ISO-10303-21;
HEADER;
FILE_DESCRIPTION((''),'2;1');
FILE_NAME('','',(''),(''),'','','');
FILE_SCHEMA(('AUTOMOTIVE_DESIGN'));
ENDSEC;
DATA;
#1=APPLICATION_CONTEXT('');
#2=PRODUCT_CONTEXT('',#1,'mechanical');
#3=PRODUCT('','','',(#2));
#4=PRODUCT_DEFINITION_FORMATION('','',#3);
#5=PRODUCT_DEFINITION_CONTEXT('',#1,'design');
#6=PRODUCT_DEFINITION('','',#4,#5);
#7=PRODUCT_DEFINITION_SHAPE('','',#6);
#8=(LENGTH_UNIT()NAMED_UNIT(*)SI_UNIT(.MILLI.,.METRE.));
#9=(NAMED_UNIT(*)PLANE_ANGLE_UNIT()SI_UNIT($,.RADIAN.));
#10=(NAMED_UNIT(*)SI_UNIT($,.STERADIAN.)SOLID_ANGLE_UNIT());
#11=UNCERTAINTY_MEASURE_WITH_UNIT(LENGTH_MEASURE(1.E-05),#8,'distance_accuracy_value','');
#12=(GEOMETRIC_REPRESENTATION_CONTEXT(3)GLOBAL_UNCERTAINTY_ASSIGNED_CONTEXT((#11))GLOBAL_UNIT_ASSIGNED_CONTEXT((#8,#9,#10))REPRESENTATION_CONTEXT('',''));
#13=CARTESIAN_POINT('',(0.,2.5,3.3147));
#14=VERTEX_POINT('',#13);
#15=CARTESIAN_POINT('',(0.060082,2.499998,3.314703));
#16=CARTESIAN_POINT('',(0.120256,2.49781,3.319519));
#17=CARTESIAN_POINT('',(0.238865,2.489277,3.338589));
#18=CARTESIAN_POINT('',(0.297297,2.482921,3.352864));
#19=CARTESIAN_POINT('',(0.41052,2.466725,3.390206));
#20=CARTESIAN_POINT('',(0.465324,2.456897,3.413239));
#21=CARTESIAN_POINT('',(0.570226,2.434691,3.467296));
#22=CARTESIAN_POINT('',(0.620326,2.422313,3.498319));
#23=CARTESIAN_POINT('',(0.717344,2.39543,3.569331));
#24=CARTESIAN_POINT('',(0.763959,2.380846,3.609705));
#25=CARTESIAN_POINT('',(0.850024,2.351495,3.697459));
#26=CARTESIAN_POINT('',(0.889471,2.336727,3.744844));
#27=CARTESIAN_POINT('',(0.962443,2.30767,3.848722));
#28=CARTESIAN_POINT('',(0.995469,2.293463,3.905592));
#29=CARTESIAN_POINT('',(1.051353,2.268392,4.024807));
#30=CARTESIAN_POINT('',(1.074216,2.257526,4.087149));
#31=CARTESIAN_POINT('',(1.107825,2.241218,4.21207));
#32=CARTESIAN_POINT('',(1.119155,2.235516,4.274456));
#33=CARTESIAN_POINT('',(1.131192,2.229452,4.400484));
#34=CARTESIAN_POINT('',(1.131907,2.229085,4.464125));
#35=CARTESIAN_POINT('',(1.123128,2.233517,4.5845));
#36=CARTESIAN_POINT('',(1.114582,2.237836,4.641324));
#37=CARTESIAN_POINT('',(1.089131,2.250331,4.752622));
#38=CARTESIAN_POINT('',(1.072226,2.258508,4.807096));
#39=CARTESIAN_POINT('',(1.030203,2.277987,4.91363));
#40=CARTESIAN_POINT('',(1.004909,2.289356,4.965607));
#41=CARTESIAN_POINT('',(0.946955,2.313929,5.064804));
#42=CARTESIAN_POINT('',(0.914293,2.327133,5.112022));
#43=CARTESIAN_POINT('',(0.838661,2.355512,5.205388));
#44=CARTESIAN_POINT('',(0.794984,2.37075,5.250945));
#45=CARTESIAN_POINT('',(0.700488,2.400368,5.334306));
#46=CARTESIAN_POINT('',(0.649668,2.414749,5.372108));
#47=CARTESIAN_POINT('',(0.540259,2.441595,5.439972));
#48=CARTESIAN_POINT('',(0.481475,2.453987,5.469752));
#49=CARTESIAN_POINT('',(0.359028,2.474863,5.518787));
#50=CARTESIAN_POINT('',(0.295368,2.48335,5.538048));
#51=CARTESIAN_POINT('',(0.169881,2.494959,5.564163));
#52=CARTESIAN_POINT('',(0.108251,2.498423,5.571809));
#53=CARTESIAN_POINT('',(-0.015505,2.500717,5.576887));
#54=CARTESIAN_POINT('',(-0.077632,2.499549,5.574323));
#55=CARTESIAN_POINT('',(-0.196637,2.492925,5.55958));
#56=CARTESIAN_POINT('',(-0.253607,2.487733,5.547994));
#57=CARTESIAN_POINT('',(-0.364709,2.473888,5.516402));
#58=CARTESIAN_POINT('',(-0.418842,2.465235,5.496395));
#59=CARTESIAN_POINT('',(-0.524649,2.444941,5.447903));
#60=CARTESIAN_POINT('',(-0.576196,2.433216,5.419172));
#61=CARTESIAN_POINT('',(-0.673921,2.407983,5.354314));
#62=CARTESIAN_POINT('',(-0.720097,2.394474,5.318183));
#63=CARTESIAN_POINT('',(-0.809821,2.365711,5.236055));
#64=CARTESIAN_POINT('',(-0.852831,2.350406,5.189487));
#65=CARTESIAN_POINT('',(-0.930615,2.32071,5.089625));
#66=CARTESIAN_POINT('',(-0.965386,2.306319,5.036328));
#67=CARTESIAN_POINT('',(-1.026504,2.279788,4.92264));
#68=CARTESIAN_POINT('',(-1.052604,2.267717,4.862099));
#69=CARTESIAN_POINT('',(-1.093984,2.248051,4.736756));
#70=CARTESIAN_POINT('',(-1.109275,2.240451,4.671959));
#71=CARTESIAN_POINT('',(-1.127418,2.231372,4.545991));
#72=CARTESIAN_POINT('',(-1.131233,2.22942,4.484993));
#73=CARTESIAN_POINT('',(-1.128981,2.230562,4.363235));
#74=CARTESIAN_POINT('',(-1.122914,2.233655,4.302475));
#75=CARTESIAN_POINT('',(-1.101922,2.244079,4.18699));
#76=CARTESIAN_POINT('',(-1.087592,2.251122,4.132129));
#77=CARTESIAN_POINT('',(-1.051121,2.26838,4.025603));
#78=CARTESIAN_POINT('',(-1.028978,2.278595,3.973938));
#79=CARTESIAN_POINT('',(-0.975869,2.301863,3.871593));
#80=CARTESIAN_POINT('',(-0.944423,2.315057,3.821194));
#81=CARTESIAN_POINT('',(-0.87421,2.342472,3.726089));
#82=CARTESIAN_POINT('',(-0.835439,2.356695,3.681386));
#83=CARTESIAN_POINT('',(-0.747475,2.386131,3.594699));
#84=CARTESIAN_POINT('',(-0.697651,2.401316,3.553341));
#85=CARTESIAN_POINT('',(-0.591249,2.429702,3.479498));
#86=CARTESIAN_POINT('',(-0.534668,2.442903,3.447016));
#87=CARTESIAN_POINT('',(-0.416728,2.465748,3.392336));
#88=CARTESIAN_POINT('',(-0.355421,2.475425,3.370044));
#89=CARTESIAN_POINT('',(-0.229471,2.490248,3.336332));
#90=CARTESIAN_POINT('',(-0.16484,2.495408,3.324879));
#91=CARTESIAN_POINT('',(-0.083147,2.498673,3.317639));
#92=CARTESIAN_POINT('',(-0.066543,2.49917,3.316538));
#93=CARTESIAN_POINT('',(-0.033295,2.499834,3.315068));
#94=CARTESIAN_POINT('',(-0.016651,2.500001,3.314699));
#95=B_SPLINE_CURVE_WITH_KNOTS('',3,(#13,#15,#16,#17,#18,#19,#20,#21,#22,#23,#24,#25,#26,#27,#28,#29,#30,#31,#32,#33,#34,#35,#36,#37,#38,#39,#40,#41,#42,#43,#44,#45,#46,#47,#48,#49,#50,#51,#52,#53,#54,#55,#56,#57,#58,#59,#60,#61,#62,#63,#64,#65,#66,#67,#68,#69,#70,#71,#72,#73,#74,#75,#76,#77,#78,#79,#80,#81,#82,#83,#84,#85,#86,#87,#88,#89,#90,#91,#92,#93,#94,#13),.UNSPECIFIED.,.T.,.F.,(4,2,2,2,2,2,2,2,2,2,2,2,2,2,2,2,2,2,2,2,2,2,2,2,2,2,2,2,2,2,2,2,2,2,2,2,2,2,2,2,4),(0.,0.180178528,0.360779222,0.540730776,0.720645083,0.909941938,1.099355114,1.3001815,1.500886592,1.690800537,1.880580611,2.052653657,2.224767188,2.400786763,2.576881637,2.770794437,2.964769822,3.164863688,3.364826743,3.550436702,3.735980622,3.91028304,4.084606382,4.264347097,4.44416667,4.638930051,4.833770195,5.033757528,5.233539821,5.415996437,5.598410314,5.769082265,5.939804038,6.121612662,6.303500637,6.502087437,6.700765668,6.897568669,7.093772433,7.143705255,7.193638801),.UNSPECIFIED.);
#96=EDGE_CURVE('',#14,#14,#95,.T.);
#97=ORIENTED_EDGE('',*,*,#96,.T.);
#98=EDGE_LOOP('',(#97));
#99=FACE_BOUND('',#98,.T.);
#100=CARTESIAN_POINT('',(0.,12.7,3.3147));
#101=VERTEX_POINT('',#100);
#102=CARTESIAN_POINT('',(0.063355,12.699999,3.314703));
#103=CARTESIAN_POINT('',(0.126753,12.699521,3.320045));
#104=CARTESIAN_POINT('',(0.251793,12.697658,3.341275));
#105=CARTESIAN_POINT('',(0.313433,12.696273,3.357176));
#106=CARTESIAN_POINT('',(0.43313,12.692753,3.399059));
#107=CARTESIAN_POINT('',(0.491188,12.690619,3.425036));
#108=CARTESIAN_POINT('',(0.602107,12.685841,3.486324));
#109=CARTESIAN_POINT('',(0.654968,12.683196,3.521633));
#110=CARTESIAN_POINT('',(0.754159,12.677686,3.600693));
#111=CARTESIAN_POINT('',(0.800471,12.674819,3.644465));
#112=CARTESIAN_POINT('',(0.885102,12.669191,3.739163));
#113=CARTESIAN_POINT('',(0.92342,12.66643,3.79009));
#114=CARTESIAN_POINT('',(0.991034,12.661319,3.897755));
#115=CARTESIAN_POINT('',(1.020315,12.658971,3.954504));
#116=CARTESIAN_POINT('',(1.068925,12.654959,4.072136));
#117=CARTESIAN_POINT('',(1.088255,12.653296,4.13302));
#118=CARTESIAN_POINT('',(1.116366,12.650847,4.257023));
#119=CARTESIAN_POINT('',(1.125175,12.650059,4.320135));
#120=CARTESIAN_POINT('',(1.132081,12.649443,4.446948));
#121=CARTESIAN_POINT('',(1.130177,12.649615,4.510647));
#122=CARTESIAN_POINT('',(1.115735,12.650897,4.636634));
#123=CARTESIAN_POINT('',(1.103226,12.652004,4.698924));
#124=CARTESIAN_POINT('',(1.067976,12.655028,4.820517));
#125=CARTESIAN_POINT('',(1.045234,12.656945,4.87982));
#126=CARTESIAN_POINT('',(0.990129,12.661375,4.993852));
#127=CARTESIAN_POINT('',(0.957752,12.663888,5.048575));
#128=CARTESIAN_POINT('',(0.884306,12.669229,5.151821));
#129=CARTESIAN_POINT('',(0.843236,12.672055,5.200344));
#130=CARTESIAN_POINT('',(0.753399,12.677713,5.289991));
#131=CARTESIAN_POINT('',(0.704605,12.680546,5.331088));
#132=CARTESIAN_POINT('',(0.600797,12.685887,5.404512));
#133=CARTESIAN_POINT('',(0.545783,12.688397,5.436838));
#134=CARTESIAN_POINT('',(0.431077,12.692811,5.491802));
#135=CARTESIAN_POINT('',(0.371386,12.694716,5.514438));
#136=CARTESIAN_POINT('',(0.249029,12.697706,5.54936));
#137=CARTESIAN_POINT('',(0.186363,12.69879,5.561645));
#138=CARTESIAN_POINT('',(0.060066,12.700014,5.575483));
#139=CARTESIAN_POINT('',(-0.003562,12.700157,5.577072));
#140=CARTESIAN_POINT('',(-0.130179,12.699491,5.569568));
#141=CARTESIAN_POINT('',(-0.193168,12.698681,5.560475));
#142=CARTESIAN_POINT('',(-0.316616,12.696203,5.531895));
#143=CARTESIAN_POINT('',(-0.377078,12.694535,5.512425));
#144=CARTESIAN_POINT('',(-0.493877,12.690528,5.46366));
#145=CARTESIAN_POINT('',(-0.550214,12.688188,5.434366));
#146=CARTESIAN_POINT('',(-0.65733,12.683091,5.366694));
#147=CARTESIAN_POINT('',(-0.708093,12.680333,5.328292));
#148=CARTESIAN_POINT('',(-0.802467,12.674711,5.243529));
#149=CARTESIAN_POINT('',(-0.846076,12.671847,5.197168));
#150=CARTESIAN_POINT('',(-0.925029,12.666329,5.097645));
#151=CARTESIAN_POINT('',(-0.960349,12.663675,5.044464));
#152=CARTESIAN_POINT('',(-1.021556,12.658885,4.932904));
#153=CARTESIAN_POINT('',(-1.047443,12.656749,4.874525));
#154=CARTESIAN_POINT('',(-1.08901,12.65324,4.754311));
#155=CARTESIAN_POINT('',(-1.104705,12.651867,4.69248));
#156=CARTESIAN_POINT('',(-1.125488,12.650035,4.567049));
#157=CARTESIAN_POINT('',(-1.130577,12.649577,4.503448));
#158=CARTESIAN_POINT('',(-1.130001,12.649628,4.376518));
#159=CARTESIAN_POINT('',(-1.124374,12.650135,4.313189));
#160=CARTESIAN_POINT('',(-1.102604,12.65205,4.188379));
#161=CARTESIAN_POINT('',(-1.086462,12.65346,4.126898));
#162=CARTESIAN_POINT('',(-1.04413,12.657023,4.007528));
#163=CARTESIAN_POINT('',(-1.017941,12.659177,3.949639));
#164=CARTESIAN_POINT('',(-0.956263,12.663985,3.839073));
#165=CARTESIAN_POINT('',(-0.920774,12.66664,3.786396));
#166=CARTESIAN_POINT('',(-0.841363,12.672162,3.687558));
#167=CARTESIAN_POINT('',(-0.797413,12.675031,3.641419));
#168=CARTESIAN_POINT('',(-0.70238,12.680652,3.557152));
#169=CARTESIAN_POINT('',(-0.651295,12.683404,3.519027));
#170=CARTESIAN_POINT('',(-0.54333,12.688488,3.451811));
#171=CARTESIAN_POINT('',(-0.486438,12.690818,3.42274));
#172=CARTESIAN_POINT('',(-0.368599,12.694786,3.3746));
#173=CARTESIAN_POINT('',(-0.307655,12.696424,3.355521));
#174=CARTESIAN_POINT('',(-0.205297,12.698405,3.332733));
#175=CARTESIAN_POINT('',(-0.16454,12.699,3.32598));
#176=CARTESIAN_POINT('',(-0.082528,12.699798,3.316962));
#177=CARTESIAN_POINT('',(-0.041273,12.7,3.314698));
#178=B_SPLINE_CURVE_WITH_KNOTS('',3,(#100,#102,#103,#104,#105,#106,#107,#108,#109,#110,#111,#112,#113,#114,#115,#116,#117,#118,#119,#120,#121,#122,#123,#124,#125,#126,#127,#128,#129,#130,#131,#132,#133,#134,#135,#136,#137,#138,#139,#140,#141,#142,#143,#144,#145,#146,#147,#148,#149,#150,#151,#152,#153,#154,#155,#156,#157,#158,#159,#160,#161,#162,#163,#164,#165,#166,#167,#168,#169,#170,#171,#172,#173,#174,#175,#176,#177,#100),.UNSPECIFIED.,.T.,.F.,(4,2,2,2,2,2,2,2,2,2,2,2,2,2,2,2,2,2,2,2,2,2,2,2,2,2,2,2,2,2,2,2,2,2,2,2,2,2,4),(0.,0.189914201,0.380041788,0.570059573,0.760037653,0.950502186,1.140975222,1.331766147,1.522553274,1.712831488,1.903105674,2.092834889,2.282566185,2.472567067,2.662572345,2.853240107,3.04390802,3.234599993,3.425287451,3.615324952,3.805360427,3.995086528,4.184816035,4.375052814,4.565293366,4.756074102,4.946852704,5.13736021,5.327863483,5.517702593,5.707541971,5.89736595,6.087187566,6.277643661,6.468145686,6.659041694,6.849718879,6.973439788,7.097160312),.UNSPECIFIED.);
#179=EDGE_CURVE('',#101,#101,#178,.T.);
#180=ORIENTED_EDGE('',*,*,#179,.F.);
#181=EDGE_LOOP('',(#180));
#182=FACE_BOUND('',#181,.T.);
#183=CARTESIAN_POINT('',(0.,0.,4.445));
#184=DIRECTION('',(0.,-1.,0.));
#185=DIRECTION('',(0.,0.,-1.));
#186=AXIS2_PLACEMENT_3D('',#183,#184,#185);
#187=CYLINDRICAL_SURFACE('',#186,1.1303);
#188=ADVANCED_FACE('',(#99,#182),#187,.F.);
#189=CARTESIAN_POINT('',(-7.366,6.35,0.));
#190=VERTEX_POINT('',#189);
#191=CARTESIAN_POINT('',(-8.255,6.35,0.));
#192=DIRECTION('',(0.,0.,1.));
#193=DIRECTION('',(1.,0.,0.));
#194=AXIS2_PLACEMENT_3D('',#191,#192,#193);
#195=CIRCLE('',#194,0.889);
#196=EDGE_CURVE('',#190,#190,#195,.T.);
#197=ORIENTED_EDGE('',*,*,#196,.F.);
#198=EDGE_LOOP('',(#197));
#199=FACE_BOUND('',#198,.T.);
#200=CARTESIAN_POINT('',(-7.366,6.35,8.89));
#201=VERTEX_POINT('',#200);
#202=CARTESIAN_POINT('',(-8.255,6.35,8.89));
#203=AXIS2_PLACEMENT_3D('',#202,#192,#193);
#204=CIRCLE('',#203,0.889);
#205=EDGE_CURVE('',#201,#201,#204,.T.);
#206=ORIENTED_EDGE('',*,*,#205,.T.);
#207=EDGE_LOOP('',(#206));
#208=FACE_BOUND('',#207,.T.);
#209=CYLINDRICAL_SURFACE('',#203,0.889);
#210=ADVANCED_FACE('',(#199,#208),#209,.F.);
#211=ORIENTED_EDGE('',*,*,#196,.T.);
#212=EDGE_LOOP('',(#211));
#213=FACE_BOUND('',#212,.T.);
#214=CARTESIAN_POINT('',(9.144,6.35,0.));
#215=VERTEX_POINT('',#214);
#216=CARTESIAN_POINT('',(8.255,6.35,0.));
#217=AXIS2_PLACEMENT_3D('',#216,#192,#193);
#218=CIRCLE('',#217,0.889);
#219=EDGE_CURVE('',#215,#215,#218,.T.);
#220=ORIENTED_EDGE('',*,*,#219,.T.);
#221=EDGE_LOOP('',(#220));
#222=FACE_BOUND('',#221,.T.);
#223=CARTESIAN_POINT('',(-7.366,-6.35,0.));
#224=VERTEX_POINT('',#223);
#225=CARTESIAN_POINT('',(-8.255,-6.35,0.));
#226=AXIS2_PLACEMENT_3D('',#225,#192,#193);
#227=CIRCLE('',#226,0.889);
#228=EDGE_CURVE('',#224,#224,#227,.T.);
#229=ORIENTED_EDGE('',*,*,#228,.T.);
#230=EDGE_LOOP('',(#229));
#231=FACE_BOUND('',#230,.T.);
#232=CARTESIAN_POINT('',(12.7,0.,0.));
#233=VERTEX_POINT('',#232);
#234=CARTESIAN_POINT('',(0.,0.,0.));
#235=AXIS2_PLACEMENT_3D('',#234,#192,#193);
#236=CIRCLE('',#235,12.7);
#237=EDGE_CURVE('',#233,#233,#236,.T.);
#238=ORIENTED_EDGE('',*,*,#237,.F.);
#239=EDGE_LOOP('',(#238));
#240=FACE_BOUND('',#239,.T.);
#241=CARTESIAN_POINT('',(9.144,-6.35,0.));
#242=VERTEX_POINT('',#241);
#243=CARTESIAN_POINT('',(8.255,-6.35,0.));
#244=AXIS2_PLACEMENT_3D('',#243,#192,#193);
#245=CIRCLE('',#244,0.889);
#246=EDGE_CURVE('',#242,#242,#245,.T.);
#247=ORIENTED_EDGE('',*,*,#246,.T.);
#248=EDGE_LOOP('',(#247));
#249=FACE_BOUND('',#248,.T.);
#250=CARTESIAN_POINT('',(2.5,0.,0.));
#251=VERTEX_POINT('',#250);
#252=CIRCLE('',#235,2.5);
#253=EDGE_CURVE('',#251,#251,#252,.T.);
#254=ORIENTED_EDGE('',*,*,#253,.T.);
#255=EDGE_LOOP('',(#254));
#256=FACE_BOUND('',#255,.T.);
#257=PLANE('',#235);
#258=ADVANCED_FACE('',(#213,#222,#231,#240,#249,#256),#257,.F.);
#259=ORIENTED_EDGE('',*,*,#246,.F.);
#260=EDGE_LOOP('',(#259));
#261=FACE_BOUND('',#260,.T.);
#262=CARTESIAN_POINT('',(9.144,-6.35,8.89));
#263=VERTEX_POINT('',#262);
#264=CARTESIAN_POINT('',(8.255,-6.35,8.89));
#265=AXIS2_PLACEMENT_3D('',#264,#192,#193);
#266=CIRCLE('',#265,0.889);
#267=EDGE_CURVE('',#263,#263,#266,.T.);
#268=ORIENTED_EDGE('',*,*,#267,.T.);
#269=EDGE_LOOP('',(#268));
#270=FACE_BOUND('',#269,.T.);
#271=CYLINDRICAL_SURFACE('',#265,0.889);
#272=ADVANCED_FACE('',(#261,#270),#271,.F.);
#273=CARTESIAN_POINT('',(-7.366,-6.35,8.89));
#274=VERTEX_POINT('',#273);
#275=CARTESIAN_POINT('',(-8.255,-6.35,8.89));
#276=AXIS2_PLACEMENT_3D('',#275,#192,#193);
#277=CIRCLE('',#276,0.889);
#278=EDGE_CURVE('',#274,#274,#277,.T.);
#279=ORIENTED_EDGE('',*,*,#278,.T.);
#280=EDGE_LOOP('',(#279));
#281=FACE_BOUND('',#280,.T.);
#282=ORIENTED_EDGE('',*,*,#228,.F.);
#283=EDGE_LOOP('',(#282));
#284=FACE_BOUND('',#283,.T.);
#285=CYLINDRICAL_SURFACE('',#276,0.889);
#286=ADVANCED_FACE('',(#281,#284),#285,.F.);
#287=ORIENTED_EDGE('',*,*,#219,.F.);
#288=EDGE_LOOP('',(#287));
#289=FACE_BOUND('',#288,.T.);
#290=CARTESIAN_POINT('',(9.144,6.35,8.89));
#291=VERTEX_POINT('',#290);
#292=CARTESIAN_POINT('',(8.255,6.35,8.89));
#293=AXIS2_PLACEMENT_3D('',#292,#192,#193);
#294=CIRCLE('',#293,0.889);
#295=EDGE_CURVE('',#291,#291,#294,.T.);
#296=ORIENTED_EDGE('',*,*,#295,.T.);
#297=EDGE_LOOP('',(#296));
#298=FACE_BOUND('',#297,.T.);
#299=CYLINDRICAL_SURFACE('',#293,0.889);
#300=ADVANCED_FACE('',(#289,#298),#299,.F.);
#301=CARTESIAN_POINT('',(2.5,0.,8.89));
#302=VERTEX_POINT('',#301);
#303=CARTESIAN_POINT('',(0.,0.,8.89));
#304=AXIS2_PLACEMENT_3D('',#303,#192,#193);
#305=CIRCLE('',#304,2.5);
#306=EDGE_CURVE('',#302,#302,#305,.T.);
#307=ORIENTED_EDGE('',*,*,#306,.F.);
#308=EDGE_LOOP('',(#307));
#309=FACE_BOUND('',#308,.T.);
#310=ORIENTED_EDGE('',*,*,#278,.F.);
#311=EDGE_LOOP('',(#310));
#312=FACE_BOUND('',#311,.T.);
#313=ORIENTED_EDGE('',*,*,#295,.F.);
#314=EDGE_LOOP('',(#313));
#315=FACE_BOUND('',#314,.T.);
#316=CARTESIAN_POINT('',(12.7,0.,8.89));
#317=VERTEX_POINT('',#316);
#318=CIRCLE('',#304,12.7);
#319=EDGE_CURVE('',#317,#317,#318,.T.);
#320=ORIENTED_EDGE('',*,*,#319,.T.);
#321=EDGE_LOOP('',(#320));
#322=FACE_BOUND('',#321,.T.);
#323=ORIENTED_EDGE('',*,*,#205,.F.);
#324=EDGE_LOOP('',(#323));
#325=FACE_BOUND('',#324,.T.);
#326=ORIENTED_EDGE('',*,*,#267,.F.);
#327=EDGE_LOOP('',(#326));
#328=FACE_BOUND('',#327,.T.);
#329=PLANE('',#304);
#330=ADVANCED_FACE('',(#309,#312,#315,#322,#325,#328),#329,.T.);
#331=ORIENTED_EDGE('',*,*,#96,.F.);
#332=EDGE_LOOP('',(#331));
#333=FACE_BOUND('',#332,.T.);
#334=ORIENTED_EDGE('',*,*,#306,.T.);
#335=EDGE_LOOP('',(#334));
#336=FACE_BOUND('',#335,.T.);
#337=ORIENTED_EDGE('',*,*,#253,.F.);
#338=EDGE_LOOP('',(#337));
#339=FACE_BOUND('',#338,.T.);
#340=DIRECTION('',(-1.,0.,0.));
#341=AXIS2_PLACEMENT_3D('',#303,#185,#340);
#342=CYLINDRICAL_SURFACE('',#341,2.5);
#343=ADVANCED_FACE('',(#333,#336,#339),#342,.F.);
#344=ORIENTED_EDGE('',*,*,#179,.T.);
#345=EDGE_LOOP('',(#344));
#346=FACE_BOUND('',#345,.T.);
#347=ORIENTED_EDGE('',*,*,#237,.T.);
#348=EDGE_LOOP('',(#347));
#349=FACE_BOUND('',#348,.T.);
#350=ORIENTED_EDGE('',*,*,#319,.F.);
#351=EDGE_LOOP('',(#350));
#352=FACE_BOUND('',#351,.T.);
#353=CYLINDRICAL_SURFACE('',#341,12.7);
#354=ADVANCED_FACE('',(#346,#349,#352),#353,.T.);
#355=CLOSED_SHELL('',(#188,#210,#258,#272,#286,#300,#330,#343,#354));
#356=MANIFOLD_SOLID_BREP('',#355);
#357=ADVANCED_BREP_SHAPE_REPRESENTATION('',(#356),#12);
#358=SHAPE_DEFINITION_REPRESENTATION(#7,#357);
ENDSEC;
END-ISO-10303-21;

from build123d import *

# Parameters (mm, degrees)
SKETCH1_R             = 12.7
SKETCH1_R_2           = 2.5
BOSS_EXTRUDE1_DEPTH   = 8.89
F_2_56_TAPPED_HOLE1_D = 1.778
SKETCH6_W             = 1.1303
SKETCH6_H             = 12.7


with BuildPart() as part:
    # Sketch1 → Boss-Extrude1 (new body)
    with BuildSketch(Plane.XY):
        Circle(SKETCH1_R)
        Circle(SKETCH1_R_2, mode=Mode.SUBTRACT)
    extrude(amount=BOSS_EXTRUDE1_DEPTH)

    # #2-56 Tapped Hole1 (through all)
    with Locations(Plane.XY.offset(8.89)):
        with Locations((-8.255, 6.35), (8.255, 6.35), (8.255, -6.35), (-8.255, -6.35)):
            Hole(F_2_56_TAPPED_HOLE1_D / 2)

    # Sketch6 → #4-40 Tapped Hole1 (revolve, cut)
    with BuildSketch(Plane(origin=(0, 0, 4.445), x_dir=(0, 0, -1), z_dir=(1, 0, 0))):
        with Locations((0.56515, 6.35)):
            Rectangle(SKETCH6_W, SKETCH6_H)
    revolve(axis=Axis((0, -6.35, 4.445), (0, 1, 0)), mode=Mode.SUBTRACT)


solid = part.part
